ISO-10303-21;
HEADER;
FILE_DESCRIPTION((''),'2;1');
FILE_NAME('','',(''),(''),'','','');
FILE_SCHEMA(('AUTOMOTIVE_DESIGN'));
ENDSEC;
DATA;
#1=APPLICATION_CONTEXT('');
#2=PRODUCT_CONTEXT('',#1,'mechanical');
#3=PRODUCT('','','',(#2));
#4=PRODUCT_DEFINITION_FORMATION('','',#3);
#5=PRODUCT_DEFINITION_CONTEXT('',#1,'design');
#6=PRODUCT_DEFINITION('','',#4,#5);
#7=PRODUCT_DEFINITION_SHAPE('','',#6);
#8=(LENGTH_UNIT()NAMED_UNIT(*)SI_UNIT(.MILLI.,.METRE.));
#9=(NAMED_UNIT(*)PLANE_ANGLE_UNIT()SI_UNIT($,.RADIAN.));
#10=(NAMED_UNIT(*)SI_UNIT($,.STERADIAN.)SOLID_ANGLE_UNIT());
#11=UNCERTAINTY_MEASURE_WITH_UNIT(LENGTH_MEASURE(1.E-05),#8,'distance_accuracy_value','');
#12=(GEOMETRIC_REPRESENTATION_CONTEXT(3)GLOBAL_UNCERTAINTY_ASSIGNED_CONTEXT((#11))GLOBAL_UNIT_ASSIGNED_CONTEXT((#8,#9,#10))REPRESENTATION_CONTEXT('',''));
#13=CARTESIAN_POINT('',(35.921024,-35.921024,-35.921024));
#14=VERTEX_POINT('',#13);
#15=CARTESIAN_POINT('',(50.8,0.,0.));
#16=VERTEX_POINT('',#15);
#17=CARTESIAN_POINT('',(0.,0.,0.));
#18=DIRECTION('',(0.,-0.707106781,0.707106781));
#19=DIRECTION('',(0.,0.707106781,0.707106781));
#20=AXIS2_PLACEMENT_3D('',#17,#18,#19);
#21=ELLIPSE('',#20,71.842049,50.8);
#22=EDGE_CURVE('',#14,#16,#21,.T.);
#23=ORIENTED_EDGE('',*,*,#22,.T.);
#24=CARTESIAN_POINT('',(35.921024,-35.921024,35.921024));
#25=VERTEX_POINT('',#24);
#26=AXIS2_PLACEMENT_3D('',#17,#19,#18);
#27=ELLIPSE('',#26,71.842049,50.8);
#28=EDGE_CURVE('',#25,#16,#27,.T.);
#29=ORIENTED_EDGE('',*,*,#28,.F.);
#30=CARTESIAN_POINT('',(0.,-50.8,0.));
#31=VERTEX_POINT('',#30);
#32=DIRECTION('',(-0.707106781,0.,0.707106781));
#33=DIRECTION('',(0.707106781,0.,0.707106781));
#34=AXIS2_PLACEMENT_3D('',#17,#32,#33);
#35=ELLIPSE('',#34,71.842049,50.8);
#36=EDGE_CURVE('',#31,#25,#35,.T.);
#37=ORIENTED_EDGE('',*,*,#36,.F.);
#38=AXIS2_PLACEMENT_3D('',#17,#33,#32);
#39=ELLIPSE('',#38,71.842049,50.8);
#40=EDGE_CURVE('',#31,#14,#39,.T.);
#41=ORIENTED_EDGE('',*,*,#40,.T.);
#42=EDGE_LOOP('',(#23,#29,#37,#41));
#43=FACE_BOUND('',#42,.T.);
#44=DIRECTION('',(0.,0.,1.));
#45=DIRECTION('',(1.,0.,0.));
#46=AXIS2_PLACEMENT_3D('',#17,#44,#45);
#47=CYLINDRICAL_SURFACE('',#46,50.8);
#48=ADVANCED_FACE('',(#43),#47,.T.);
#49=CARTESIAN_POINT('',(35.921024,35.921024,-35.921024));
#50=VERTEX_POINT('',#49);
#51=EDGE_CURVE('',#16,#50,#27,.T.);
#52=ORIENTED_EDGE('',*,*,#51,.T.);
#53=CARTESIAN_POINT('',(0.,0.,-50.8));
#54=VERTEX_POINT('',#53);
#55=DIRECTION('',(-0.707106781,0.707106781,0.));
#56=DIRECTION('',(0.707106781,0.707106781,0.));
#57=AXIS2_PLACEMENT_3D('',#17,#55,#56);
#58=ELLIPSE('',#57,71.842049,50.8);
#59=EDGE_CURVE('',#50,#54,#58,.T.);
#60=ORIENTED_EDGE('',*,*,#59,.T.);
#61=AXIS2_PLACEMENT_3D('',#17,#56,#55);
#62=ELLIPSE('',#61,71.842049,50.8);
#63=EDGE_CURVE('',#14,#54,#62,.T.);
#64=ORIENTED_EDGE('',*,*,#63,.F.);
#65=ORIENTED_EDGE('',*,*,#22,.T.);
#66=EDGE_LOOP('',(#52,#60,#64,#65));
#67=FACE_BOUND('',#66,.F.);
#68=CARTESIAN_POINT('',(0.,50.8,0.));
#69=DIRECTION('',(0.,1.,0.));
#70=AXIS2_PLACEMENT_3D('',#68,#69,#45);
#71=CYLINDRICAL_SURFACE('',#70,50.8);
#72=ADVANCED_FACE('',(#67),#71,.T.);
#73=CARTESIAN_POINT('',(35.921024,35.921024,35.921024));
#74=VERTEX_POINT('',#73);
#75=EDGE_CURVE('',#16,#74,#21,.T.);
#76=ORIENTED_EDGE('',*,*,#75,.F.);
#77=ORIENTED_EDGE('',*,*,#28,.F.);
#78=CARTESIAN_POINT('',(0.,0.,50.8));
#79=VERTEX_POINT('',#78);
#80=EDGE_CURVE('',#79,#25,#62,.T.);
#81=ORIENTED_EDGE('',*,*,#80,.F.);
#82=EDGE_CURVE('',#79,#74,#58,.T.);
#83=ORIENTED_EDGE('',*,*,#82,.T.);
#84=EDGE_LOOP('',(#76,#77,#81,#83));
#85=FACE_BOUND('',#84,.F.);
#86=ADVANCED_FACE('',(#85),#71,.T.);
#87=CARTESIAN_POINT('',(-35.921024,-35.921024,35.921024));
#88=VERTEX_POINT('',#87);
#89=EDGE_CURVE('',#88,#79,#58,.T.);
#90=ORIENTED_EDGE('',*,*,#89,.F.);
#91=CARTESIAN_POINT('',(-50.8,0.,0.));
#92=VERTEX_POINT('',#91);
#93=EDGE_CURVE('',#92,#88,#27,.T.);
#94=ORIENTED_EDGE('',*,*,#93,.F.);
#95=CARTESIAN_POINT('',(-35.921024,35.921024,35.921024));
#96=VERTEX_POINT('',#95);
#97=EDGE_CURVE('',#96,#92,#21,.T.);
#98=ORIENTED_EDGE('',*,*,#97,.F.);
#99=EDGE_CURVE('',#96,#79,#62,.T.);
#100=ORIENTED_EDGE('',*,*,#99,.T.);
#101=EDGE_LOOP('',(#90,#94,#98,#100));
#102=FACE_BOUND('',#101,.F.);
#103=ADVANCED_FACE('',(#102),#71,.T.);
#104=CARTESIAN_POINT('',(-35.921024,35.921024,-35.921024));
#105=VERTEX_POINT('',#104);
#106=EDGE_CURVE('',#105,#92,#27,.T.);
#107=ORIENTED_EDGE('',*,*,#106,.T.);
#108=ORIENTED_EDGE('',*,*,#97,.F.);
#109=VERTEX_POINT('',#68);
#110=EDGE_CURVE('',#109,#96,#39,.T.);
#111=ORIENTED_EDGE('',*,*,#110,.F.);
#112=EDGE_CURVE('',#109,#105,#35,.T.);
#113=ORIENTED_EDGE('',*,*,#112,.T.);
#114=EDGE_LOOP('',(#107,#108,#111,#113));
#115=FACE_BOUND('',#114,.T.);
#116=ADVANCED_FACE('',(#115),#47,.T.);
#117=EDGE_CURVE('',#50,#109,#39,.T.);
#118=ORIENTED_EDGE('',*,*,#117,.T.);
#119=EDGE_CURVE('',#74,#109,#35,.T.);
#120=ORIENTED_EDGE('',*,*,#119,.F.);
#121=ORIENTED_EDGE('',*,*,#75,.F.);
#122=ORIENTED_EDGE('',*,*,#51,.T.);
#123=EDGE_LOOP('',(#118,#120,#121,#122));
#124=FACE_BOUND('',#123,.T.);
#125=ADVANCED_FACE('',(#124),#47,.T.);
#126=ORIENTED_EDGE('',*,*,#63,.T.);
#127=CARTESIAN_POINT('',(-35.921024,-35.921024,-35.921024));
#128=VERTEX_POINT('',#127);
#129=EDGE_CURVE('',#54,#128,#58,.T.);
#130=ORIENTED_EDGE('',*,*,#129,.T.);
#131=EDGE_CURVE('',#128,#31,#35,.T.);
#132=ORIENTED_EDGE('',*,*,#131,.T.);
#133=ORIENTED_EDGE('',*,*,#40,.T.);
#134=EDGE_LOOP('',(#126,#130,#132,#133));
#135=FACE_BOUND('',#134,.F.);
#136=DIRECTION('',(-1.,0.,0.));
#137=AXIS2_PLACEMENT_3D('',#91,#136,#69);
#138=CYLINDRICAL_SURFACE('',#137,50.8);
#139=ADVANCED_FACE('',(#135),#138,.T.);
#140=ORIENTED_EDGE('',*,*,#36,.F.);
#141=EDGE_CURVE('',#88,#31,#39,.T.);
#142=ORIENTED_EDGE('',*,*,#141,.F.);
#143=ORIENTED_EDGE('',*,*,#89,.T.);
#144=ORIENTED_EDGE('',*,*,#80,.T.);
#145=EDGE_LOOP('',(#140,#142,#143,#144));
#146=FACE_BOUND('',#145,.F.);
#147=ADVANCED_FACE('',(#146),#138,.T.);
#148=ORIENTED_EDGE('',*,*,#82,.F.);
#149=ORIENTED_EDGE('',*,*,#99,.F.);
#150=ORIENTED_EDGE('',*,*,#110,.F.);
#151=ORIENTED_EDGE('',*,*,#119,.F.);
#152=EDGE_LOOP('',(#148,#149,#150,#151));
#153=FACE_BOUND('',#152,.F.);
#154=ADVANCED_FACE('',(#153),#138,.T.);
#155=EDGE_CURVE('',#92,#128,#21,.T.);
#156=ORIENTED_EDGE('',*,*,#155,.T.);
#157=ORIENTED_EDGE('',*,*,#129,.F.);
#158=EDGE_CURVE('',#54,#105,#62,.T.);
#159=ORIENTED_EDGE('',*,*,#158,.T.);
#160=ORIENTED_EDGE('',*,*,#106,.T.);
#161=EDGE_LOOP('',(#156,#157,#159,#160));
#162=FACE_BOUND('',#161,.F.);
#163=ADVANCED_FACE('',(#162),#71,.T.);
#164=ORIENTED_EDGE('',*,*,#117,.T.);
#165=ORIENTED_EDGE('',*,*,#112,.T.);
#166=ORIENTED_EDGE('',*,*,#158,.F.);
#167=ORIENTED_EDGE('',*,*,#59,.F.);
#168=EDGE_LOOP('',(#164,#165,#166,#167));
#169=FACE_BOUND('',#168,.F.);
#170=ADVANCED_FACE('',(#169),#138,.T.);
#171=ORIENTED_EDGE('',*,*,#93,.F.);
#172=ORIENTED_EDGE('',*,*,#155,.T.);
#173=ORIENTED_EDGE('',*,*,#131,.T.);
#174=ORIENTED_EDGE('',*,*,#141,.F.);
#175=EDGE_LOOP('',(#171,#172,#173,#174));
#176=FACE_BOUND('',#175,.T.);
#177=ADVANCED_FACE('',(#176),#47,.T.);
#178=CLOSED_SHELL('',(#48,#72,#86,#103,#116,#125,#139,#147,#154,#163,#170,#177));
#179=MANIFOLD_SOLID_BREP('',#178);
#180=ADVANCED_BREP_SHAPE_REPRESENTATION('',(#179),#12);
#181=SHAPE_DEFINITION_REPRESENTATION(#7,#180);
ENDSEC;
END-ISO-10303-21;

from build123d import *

# Parameters (mm, degrees)
F0_R          = 50.8
F1_DEPTH      = 50.8
F1_DEPTH_BACK = 50.8
F4_START      = -50.8
F2_R          = 50.8
F4_DEPTH      = 101.6
F5_START      = -50.8
F3_R          = 50.8
F5_DEPTH      = 101.6


with BuildPart() as f1:
    # F0 (on Top) → F1 (new body, two sides)
    with BuildSketch(Plane.XY) as f1_sk:
        Circle(F0_R)
    extrude(amount=F1_DEPTH)
    extrude(f1_sk.sketch, amount=-F1_DEPTH_BACK)

    # F2 (on Front) → F4 (intersect)
    with BuildSketch(Plane.XZ.offset(F4_START)):
        Circle(F2_R)
    extrude(amount=F4_DEPTH, mode=Mode.INTERSECT)

    # F3 (on Right) → F5 (intersect)
    with BuildSketch(Plane.YZ.offset(F5_START)):
        Circle(F3_R)
    extrude(amount=F5_DEPTH, mode=Mode.INTERSECT)


solid = f1.part
